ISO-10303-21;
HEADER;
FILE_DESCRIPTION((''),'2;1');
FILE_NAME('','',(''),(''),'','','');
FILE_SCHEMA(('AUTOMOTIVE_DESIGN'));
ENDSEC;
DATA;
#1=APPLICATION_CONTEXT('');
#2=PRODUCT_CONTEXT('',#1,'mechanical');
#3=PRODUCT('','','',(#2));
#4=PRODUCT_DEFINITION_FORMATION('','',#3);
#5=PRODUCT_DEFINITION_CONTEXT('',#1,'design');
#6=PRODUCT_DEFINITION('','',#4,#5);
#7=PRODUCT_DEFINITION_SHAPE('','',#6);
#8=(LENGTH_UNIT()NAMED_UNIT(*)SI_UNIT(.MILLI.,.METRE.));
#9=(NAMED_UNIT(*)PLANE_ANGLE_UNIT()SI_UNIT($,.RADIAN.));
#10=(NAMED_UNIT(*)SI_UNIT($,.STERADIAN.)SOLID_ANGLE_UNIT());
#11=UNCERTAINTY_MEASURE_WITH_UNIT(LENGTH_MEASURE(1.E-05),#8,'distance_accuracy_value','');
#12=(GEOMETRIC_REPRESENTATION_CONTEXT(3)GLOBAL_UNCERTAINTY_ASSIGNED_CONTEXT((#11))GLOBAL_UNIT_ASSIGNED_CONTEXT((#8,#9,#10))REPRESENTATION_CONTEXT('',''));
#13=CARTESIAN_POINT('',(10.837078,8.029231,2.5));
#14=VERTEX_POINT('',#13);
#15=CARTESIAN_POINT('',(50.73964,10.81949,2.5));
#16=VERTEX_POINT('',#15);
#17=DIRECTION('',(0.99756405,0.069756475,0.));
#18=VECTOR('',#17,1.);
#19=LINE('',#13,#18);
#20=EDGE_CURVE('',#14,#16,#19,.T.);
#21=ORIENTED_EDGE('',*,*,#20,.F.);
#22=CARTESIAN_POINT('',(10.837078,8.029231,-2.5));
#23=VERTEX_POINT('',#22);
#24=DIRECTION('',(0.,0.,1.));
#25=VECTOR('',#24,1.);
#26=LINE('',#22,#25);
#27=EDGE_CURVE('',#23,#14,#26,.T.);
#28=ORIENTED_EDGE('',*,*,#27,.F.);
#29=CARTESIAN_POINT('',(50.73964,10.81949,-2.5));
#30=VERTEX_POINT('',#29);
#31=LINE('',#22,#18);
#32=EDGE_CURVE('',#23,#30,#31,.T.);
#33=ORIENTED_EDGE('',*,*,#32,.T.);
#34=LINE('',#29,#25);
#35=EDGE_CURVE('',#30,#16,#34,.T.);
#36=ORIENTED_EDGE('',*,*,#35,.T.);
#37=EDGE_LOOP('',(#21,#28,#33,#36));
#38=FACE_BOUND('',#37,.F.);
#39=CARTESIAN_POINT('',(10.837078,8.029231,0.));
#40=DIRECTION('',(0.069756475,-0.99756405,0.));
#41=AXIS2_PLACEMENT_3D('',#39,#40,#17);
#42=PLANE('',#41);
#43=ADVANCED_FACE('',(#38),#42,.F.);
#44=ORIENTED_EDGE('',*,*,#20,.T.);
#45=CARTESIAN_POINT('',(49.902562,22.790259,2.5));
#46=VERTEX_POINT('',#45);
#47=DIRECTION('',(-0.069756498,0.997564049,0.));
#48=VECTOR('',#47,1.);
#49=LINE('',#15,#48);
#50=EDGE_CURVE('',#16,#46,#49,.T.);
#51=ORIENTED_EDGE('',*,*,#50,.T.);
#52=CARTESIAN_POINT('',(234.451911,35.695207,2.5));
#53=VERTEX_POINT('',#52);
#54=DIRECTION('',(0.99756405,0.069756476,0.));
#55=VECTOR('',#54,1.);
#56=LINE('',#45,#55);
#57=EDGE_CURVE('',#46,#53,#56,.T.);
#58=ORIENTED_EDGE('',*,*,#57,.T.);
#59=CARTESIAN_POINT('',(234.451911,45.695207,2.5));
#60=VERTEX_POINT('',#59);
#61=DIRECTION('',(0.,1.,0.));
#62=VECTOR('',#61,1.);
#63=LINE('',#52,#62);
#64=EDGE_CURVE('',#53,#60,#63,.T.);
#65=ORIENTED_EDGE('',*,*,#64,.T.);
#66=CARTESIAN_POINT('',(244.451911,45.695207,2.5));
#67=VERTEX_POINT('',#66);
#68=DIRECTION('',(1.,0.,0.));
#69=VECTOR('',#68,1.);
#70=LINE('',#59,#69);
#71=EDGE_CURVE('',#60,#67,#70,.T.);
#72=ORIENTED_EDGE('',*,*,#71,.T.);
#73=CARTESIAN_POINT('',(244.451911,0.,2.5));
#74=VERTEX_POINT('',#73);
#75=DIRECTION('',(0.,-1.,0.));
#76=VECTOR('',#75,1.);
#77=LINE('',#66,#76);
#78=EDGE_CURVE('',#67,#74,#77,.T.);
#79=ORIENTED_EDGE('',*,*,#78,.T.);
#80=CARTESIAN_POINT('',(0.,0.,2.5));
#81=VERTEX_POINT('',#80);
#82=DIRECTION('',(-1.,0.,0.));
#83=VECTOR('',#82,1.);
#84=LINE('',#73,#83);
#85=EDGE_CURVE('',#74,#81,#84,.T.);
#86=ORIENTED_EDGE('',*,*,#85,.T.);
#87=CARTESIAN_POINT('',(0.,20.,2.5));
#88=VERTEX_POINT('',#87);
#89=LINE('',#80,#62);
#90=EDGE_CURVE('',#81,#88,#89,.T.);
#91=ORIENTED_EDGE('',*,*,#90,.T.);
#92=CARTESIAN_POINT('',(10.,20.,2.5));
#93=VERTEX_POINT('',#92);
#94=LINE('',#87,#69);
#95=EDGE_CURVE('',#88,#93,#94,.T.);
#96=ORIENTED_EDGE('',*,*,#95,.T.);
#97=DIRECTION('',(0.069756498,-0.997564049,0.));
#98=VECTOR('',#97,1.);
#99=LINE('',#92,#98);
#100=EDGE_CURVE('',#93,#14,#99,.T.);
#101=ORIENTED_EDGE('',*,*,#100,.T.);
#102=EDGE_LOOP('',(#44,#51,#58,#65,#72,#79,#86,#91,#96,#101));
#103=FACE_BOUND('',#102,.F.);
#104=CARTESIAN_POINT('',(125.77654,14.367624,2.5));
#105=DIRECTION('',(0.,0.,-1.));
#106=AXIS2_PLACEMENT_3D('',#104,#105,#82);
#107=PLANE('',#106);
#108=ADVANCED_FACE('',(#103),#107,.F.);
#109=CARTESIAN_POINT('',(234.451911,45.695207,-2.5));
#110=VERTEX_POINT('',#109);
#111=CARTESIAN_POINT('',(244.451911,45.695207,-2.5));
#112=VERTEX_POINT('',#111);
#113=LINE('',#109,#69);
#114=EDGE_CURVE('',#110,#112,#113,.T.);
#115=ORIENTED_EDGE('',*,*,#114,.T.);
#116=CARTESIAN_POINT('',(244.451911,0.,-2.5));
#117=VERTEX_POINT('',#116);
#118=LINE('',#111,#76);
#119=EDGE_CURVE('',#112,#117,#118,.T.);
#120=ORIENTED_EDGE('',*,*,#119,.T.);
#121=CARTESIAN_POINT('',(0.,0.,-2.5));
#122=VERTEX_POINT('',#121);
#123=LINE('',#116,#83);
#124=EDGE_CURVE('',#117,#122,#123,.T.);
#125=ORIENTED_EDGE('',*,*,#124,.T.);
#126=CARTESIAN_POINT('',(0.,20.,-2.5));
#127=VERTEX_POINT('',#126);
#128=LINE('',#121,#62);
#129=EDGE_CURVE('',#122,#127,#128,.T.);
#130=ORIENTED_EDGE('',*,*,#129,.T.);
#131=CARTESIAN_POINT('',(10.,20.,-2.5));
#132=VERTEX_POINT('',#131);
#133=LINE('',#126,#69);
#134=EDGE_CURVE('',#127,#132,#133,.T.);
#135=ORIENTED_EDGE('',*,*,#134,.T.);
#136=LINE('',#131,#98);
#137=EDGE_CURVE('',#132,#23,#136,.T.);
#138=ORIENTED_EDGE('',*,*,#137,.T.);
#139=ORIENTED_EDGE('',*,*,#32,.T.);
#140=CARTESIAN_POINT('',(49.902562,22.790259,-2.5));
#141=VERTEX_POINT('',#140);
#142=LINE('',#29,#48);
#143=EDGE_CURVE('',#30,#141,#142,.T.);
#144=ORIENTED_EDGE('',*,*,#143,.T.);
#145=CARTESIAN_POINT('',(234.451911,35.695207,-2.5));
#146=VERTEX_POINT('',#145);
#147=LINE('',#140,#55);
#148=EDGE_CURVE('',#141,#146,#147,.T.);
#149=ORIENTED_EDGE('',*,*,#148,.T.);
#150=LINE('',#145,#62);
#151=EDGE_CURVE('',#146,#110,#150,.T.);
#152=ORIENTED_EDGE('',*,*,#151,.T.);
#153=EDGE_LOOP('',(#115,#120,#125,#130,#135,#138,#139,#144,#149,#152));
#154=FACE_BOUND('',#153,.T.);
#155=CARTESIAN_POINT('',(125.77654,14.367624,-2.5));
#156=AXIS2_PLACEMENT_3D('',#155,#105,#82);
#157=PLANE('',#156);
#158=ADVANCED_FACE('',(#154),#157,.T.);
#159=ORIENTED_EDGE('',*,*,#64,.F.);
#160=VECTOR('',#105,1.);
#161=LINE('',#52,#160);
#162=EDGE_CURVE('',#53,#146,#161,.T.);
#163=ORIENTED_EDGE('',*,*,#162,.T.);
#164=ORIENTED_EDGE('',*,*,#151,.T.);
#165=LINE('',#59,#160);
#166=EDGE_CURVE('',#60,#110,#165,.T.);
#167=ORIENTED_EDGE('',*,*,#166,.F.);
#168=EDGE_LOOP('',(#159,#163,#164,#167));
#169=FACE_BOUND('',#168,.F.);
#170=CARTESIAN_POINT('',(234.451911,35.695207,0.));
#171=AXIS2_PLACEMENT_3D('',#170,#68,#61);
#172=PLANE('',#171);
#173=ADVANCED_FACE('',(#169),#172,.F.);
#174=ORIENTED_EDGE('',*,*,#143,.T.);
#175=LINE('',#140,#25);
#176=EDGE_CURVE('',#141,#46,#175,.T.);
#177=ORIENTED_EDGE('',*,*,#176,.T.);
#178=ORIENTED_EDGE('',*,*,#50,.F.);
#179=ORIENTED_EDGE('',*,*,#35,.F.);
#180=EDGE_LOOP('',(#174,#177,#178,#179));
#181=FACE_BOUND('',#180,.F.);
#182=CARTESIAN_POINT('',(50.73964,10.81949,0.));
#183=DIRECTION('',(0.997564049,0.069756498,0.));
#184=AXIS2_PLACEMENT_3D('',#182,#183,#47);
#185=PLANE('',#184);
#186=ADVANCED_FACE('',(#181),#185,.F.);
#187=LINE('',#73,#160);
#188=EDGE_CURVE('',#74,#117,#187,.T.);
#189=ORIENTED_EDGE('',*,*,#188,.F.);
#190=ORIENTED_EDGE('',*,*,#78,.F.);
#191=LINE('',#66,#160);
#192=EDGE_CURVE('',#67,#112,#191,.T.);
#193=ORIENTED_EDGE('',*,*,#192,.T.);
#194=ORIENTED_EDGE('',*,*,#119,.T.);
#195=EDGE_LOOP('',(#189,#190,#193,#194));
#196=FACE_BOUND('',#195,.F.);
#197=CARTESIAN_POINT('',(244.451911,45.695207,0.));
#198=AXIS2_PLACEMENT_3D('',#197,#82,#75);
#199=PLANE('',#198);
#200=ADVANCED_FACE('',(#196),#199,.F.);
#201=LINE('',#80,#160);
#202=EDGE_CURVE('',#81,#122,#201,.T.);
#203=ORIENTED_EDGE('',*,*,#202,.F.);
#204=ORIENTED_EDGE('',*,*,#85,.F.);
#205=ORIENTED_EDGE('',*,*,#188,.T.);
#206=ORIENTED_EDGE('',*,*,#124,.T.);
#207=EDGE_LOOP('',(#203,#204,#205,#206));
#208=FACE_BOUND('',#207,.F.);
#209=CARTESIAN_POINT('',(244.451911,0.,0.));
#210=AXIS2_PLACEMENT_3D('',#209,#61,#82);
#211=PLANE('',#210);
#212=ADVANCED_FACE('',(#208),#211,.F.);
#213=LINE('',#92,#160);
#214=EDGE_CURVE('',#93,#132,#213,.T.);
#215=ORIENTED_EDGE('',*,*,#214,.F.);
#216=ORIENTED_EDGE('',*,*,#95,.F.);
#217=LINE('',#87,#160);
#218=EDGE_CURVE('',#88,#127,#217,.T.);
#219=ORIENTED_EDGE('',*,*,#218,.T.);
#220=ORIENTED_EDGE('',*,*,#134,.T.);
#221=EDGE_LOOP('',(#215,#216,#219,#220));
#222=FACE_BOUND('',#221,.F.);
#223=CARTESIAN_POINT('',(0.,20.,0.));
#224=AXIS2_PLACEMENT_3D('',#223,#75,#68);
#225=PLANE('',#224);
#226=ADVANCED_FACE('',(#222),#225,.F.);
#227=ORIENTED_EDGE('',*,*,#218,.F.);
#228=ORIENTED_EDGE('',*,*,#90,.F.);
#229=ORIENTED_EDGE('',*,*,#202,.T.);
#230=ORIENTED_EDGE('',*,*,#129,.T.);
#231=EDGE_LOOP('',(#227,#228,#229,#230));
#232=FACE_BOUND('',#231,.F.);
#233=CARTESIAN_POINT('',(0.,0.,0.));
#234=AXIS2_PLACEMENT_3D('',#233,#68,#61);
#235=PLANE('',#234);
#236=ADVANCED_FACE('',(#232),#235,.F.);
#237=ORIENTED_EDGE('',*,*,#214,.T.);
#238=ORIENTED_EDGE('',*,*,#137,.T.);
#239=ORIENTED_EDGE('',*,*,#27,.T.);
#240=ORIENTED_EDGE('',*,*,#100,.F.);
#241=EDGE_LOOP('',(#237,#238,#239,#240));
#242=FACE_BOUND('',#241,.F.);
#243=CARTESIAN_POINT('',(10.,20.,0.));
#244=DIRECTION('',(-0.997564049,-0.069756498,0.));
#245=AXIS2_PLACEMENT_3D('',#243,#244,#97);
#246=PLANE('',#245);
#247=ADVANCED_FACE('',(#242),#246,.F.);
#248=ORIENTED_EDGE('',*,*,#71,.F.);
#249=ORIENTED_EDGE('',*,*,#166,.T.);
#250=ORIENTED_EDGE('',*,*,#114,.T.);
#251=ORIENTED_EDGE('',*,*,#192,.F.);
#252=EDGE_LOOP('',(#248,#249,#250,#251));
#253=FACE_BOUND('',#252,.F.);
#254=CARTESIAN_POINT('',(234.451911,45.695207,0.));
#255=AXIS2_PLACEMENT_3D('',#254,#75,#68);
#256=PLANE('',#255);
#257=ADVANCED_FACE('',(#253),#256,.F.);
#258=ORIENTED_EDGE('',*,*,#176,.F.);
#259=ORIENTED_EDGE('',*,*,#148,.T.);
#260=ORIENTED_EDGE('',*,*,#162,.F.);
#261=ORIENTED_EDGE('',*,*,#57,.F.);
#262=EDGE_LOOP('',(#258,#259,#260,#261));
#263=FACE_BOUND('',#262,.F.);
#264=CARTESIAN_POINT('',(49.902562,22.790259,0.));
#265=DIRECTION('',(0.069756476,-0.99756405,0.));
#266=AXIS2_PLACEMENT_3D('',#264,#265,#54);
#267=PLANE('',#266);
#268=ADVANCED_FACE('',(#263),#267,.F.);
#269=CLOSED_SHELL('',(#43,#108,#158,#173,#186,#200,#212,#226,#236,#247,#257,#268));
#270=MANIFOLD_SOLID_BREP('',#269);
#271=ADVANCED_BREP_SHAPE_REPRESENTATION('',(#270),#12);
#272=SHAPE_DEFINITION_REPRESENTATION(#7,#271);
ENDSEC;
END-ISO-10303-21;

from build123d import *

# Parameters (mm, degrees)
PAD_DEPTH = 2.5


with BuildPart() as part:
    # Sketch → Pad (new body, symmetric)
    with BuildSketch(Plane.XY):
        Polygon((49.902562, 22.790259), (234.451911, 35.695207), (234.451911, 45.695207), (244.451911, 45.695207), (244.451911, 0), (0, 0), (0, 20), (10, 20), (10.837078, 8.029231), (50.73964, 10.81949), align=None)
    extrude(amount=PAD_DEPTH, both=True)


solid = part.part
